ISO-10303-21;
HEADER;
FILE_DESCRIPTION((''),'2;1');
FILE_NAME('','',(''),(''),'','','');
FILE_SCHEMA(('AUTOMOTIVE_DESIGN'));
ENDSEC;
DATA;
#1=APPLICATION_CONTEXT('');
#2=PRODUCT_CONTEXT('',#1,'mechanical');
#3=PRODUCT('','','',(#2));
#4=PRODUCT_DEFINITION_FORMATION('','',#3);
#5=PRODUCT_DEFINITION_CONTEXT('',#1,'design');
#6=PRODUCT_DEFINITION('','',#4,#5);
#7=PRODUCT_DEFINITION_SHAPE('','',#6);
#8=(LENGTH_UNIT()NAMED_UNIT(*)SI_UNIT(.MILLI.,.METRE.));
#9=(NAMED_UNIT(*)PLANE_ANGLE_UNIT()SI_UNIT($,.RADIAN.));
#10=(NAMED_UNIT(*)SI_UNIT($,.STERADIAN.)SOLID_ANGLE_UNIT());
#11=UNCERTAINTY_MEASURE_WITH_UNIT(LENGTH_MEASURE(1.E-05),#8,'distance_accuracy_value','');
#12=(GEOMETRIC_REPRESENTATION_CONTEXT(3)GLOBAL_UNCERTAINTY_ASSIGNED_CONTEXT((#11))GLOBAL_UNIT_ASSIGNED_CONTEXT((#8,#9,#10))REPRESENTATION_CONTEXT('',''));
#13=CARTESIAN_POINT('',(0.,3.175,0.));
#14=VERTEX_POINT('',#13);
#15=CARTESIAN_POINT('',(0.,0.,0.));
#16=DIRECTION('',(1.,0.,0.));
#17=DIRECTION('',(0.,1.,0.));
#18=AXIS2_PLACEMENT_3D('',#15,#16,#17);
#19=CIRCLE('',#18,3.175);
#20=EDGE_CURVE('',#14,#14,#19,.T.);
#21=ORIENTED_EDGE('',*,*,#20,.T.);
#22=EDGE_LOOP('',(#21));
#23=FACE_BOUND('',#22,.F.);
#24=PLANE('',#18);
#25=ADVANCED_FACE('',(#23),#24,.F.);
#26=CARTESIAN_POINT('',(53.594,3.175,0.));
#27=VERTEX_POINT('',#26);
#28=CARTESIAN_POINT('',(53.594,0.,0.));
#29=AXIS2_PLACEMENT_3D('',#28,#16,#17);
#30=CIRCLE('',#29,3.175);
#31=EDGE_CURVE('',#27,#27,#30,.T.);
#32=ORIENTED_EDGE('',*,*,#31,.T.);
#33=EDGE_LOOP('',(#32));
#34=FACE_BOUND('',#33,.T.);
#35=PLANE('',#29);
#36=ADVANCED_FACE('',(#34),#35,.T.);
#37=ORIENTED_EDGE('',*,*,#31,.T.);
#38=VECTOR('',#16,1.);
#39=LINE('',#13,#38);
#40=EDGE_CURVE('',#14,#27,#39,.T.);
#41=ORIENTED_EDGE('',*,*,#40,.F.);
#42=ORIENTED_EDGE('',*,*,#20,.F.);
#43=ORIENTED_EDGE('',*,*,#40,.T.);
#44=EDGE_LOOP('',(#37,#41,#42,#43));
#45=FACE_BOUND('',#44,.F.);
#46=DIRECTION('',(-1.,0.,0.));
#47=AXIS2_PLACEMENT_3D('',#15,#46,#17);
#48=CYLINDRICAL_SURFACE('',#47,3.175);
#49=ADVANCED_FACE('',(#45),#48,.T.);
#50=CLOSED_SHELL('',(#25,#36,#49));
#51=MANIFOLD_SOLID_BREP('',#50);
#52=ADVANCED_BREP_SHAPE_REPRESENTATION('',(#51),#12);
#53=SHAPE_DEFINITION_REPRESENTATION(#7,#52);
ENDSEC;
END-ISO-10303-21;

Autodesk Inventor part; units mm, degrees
ref_plane "YZ Plane" through (0, 0, 0) normal (1, 0, 0) x (0, 1, 0)
ref_plane "XZ Plane" through (0, 0, 0) normal (0, 1, 0) x (-1, 0, 0)
ref_plane "XY Plane" through (0, 0, 0) normal (0, 0, 1) x (1, 0, 0)
sketch "Sketch1" plane through (0, 0, 0) normal (1, 0, 0) x (0, 1, 0)
  circle A0 centre (0, 0) radius 3.175
  dimension "d0" = 6.35
extrude "Extrusion1" add sketch "Sketch1" along normal blind 53.594
properties part number "Axle2.11"
